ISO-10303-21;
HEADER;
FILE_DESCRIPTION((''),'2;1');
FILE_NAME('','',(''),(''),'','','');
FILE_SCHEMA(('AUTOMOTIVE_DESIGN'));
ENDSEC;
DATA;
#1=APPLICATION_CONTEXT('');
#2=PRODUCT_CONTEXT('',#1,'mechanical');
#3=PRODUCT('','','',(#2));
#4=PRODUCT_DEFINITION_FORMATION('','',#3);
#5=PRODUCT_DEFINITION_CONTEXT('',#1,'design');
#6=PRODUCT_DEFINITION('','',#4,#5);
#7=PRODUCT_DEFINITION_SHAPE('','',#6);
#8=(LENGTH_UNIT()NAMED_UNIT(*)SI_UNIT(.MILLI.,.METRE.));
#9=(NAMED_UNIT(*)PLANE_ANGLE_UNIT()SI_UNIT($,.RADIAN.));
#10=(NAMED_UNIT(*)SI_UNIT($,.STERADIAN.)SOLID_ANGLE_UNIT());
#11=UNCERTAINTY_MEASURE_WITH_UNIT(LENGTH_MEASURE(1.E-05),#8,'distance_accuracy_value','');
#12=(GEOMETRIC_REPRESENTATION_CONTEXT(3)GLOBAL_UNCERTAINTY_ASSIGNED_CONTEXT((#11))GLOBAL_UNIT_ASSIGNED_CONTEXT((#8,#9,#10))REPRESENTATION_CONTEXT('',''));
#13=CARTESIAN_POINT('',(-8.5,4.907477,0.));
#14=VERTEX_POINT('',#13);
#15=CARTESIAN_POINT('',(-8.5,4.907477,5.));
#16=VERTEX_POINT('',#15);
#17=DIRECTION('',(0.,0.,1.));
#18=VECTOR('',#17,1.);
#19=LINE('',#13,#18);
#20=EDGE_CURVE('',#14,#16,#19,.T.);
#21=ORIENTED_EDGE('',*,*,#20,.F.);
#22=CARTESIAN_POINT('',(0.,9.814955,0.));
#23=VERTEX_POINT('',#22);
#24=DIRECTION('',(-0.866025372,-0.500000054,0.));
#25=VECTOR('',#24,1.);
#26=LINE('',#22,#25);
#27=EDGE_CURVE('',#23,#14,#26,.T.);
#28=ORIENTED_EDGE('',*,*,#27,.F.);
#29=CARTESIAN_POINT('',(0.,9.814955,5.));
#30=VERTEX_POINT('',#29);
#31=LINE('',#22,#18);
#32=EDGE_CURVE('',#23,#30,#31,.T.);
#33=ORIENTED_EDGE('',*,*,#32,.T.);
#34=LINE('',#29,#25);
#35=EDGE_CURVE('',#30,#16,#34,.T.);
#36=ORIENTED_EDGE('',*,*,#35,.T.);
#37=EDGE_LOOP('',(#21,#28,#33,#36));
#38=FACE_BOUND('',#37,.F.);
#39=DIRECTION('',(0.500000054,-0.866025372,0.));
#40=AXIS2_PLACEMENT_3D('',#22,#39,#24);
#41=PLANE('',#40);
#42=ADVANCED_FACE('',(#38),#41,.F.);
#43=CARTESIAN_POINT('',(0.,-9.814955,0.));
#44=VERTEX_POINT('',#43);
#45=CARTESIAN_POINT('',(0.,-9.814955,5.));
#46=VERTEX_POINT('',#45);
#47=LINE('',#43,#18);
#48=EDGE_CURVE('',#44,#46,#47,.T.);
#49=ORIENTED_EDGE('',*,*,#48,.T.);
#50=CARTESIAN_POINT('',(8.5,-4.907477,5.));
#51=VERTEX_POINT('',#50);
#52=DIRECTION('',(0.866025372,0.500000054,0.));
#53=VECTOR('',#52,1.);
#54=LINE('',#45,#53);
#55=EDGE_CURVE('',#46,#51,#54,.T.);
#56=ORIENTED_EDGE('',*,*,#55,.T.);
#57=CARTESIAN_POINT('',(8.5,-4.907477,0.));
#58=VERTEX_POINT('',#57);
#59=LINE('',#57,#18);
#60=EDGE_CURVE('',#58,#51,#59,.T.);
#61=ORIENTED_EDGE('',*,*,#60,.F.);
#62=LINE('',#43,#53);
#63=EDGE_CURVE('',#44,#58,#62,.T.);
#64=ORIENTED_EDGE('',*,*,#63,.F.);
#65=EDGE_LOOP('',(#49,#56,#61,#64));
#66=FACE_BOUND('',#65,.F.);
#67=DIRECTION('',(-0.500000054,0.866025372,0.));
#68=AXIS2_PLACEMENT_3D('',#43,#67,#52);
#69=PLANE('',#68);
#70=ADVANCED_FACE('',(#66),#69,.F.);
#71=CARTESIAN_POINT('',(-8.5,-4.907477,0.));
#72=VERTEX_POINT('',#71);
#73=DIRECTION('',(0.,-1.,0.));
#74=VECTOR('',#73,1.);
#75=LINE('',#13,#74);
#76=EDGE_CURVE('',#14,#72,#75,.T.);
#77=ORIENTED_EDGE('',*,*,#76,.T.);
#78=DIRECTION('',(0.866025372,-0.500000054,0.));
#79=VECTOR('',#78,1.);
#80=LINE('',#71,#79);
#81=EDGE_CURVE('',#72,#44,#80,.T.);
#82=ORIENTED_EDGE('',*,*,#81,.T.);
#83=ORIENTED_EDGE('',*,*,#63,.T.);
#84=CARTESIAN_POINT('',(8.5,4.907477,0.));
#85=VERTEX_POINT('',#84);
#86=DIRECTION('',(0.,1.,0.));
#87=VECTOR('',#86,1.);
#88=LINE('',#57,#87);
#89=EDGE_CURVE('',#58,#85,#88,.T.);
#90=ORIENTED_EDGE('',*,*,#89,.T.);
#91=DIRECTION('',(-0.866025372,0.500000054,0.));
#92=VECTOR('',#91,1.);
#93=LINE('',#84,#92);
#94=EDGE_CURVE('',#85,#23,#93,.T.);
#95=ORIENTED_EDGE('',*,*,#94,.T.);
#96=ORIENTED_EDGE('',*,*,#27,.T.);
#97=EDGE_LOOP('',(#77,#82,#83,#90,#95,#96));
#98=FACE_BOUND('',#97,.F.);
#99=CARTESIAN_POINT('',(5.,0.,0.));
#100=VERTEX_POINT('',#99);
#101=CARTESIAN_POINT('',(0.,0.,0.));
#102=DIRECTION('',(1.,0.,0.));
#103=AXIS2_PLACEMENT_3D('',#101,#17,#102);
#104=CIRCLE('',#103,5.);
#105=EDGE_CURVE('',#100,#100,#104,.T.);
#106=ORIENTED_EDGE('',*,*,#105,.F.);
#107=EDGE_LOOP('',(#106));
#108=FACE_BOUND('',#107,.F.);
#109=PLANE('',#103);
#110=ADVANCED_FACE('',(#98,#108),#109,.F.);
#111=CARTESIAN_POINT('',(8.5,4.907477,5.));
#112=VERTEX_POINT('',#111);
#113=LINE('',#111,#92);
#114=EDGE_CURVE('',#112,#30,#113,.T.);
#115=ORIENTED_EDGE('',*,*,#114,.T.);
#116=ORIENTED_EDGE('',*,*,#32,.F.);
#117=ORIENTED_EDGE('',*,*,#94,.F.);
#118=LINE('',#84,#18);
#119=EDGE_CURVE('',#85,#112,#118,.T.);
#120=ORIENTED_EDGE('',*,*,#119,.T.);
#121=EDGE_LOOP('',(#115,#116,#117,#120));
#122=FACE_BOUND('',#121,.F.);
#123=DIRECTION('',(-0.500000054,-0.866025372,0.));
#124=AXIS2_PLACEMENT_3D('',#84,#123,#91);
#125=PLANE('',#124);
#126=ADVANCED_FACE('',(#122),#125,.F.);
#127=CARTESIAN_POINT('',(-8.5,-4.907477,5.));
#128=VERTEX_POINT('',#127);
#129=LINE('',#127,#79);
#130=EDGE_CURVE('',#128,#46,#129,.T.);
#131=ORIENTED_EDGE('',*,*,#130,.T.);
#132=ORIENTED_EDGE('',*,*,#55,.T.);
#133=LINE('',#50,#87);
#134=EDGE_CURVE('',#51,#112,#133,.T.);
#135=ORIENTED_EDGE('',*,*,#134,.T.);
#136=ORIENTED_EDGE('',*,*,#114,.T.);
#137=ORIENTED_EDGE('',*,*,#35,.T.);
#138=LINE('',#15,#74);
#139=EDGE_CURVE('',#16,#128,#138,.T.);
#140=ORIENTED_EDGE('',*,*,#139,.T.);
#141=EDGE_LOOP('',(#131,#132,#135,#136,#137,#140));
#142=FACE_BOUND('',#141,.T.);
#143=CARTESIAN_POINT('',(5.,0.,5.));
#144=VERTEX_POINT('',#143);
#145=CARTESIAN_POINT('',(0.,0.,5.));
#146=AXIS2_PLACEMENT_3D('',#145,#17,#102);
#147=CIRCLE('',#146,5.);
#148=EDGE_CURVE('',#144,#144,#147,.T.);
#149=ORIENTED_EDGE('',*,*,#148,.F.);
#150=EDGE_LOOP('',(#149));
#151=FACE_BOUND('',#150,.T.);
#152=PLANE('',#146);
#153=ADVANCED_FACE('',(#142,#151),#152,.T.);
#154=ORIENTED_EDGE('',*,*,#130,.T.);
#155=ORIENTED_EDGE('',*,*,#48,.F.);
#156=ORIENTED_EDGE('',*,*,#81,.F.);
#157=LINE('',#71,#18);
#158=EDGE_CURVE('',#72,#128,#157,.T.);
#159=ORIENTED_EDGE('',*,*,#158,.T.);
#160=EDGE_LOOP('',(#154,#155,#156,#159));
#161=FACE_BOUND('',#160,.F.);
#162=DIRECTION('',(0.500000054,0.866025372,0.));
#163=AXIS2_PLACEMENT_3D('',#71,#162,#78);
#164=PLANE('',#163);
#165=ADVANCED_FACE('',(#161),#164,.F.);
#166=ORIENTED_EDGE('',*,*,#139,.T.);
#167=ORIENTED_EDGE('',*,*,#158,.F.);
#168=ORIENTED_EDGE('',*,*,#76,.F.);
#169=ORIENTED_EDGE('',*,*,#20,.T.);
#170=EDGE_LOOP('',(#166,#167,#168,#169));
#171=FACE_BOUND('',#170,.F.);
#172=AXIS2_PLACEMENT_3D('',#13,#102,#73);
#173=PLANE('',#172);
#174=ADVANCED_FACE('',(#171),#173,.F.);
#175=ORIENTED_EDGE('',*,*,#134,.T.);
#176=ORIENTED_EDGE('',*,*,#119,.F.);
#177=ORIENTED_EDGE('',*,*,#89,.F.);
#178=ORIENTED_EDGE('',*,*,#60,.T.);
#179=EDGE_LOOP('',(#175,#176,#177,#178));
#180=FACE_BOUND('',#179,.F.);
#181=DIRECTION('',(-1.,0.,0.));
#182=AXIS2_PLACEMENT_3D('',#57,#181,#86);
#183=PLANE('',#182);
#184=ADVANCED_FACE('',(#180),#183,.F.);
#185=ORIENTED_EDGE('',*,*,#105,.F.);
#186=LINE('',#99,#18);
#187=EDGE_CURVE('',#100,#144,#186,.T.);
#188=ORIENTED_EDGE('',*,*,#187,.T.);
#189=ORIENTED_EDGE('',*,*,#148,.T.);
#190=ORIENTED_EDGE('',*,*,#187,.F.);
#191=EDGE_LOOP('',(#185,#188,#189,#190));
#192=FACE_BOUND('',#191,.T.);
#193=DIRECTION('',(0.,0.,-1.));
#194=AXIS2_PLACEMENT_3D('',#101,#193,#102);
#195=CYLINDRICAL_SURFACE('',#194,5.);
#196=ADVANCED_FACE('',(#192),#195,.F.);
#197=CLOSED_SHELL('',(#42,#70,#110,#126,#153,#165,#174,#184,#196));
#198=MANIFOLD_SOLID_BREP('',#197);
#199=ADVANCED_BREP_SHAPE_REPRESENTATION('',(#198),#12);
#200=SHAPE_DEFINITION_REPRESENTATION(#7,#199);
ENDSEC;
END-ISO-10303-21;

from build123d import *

# Parameters (mm, degrees)
SKETCH_R  = 5
PAD_DEPTH = 5


with BuildPart() as part:
    # Sketch → Pad (new body)
    with BuildSketch(Plane.XY):
        Polygon((0, -9.814955), (8.5, -4.907477), (8.5, 4.907477), (0, 9.814955), (-8.5, 4.907477), (-8.5, -4.907477), align=None)
        Circle(SKETCH_R, mode=Mode.SUBTRACT)
    extrude(amount=PAD_DEPTH)


solid = part.part
